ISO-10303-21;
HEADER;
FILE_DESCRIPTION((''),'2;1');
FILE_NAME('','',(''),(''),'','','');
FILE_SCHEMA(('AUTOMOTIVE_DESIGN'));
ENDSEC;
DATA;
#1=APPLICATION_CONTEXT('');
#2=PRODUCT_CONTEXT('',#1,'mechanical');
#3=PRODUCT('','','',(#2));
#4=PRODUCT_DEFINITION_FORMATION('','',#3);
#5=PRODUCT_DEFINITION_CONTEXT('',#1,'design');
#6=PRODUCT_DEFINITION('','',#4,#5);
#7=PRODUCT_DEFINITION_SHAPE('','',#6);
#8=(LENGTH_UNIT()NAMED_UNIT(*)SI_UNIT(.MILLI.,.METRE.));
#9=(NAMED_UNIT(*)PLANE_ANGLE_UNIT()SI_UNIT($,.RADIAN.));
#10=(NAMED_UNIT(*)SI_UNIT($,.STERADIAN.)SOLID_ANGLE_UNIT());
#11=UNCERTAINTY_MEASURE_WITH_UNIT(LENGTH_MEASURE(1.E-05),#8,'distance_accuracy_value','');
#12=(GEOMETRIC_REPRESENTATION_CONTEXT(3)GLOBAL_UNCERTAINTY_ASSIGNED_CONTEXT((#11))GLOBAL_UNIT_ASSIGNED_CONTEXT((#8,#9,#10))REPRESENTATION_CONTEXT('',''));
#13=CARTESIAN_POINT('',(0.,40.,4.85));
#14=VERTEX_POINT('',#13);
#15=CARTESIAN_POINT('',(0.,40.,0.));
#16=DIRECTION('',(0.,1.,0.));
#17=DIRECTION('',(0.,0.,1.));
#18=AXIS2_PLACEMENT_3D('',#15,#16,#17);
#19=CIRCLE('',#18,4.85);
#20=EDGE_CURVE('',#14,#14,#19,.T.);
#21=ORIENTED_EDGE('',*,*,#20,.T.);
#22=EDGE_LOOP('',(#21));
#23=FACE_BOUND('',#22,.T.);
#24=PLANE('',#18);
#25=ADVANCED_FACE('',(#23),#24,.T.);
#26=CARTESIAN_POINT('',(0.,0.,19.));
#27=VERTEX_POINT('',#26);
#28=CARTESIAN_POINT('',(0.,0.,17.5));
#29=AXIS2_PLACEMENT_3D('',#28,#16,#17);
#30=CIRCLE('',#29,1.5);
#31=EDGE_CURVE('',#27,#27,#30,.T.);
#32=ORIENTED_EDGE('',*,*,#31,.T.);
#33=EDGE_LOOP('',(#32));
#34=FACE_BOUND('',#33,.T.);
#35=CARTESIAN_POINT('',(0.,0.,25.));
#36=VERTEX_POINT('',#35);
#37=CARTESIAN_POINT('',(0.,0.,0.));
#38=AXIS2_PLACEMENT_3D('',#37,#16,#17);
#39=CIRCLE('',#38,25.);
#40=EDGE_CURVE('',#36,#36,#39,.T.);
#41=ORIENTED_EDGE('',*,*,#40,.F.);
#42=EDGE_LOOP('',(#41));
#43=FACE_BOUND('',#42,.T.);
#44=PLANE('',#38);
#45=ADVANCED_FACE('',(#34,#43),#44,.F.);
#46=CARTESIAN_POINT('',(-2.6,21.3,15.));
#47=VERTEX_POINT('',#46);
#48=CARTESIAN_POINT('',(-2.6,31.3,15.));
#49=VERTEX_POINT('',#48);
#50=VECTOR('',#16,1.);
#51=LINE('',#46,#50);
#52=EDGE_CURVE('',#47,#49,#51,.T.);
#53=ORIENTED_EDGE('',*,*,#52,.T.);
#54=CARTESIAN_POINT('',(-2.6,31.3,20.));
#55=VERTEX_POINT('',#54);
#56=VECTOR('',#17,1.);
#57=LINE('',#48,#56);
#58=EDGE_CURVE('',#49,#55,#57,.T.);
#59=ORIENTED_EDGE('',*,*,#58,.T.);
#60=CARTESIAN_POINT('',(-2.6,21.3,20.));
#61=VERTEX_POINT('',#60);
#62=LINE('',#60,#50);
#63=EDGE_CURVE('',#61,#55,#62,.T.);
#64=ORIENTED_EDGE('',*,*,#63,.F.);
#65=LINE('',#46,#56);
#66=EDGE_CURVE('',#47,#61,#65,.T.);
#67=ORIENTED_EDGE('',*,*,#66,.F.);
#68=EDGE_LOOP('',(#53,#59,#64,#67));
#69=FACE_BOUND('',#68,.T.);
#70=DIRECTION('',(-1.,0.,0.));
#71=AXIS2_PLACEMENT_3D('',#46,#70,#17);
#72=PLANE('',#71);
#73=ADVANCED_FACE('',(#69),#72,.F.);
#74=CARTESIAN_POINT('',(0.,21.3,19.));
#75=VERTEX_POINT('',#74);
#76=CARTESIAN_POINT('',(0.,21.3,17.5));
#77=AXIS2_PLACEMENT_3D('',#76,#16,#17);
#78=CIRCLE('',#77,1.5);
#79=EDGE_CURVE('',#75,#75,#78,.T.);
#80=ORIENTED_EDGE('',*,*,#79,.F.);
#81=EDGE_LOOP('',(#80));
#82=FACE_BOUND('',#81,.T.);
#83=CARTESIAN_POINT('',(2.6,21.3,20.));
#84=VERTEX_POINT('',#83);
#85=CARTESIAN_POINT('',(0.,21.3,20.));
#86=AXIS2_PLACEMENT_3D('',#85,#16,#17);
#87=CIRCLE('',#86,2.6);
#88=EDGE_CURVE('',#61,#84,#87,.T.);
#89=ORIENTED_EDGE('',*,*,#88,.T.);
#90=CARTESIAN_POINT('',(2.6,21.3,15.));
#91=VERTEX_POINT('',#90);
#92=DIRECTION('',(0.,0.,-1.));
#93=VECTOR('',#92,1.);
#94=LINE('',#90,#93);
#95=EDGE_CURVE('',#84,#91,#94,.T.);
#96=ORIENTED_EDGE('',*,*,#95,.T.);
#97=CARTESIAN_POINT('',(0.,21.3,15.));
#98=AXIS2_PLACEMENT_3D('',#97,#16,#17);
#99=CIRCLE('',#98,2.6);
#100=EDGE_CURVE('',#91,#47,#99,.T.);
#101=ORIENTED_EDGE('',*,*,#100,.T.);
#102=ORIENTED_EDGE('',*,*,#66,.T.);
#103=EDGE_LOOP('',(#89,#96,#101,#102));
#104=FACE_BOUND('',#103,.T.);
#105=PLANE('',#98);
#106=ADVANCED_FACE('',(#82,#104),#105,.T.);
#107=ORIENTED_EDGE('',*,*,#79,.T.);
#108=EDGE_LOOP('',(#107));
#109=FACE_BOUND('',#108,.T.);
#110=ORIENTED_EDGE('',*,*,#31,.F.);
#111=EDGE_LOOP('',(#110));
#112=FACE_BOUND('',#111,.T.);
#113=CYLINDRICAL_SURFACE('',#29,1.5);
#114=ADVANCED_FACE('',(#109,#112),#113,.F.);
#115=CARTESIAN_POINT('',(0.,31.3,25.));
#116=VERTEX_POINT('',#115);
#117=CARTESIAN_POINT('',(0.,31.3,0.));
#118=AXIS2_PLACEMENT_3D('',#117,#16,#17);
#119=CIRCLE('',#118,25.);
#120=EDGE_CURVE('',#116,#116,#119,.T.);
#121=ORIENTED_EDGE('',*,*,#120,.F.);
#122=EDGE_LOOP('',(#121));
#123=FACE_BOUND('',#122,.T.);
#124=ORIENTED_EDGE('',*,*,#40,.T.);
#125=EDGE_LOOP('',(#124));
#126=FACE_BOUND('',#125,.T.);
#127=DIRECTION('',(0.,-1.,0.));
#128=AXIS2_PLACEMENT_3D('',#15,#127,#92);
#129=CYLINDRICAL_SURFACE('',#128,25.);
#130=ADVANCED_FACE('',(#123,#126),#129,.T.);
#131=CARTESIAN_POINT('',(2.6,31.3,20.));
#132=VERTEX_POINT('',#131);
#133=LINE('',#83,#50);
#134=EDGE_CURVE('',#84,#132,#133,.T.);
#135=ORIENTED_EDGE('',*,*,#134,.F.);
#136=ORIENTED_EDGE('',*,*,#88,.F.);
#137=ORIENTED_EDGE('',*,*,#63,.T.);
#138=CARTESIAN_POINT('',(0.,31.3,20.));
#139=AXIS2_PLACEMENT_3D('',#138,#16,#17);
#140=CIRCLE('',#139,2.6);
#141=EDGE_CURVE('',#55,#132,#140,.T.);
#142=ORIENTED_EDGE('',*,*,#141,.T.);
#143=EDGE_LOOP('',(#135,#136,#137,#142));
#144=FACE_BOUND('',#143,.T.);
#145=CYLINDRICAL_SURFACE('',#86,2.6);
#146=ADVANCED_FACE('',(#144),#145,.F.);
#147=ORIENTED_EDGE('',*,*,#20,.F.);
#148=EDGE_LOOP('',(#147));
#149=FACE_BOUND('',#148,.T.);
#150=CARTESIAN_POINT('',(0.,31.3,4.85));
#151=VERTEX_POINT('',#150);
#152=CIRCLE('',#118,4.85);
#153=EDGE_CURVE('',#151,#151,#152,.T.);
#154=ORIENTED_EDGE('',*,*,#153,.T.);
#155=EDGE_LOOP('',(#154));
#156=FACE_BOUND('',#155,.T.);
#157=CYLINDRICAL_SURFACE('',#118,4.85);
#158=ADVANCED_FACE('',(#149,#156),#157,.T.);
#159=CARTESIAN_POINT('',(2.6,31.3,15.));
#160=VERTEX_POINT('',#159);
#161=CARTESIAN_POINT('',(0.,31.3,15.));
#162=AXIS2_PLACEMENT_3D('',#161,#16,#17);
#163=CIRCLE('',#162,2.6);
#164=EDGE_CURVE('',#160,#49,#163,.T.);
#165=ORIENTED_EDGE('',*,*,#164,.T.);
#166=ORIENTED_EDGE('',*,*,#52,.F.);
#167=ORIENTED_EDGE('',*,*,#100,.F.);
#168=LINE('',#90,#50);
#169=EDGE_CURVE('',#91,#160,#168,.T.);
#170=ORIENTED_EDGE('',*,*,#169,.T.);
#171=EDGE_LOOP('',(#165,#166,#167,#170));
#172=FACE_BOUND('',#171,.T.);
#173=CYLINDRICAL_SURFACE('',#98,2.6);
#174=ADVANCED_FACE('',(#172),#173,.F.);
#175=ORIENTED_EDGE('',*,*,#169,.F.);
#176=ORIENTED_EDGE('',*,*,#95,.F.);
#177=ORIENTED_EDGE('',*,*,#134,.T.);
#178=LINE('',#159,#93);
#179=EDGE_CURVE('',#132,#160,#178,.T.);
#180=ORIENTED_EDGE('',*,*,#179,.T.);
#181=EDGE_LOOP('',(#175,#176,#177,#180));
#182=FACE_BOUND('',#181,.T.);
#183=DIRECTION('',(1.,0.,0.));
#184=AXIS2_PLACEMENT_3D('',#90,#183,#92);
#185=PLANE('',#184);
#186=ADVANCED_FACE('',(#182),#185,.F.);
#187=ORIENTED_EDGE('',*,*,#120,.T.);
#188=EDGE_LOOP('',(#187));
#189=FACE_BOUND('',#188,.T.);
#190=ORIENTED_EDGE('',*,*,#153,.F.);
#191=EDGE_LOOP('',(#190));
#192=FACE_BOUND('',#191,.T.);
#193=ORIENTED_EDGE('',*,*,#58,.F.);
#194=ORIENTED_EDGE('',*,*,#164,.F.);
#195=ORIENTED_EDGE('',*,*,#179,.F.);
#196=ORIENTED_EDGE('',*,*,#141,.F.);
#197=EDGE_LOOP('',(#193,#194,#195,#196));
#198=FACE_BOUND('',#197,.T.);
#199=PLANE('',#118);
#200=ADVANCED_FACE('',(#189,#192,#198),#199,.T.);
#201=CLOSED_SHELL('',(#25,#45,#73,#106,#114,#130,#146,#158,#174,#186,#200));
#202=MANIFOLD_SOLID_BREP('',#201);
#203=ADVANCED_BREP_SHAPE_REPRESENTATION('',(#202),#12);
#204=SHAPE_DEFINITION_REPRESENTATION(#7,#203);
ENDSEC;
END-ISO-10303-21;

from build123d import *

# Parameters (mm, degrees)
SKETCH1_R           = 25
BOSS_EXTRUDE1_DEPTH = 40
CUT_EXTRUDE1_START  = -8.7
SKETCH2_R           = 25
SKETCH2_R_2         = 4.85
CUT_EXTRUDE1_DEPTH  = 8.7
CUT_EXTRUDE2_DEPTH  = 10
SKETCH5_R           = 1.5
CUT_EXTRUDE3_DEPTH  = 42.275779823


with BuildPart() as part:
    # Sketch1 → Boss-Extrude1 (new body)
    with BuildSketch(Plane(origin=(0, 0, 0), x_dir=(1, 0, 0), z_dir=(0, 1, 0))):
        with Locations(Location((0, 0, 0), (0, 0, 270))):
            Circle(SKETCH1_R)
    extrude(amount=BOSS_EXTRUDE1_DEPTH)

    # Sketch2 → Cut-Extrude1 (cut)
    with BuildSketch(Plane(origin=(0, 40, 0), x_dir=(1, 0, 0), z_dir=(0, 1, 0)).offset(CUT_EXTRUDE1_START)):
        with Locations(Location((0, 0, 0), (0, 0, 270))):
            Circle(SKETCH2_R)
        with Locations(Location((0, 0, 0), (0, 0, 270))):
            Circle(SKETCH2_R_2, mode=Mode.SUBTRACT)
    extrude(amount=CUT_EXTRUDE1_DEPTH, mode=Mode.SUBTRACT)

    # Sketch3 → Cut-Extrude2 (cut)
    with BuildSketch(Plane(origin=(0, 31.3, 0), x_dir=(1, 0, 0), z_dir=(0, 1, 0))):
        with BuildLine():
            Line((-2.6, -15), (-2.6, -20))
            ThreePointArc((-2.6, -20), (0, -22.6), (2.6, -20))
            Line((2.6, -20), (2.6, -15))
            ThreePointArc((2.6, -15), (0, -12.4), (-2.6, -15))
        make_face()
    extrude(amount=-CUT_EXTRUDE2_DEPTH, mode=Mode.SUBTRACT)

    # Sketch5 → Cut-Extrude3 (cut, through all)
    with BuildSketch(Plane(origin=(0, 21.3, 0), x_dir=(1, 0, 0), z_dir=(0, 1, 0))):
        with Locations(Location((0, -17.5, 0), (0, 0, 270))):
            Circle(SKETCH5_R)
    extrude(amount=-CUT_EXTRUDE3_DEPTH, mode=Mode.SUBTRACT)


solid = part.part
